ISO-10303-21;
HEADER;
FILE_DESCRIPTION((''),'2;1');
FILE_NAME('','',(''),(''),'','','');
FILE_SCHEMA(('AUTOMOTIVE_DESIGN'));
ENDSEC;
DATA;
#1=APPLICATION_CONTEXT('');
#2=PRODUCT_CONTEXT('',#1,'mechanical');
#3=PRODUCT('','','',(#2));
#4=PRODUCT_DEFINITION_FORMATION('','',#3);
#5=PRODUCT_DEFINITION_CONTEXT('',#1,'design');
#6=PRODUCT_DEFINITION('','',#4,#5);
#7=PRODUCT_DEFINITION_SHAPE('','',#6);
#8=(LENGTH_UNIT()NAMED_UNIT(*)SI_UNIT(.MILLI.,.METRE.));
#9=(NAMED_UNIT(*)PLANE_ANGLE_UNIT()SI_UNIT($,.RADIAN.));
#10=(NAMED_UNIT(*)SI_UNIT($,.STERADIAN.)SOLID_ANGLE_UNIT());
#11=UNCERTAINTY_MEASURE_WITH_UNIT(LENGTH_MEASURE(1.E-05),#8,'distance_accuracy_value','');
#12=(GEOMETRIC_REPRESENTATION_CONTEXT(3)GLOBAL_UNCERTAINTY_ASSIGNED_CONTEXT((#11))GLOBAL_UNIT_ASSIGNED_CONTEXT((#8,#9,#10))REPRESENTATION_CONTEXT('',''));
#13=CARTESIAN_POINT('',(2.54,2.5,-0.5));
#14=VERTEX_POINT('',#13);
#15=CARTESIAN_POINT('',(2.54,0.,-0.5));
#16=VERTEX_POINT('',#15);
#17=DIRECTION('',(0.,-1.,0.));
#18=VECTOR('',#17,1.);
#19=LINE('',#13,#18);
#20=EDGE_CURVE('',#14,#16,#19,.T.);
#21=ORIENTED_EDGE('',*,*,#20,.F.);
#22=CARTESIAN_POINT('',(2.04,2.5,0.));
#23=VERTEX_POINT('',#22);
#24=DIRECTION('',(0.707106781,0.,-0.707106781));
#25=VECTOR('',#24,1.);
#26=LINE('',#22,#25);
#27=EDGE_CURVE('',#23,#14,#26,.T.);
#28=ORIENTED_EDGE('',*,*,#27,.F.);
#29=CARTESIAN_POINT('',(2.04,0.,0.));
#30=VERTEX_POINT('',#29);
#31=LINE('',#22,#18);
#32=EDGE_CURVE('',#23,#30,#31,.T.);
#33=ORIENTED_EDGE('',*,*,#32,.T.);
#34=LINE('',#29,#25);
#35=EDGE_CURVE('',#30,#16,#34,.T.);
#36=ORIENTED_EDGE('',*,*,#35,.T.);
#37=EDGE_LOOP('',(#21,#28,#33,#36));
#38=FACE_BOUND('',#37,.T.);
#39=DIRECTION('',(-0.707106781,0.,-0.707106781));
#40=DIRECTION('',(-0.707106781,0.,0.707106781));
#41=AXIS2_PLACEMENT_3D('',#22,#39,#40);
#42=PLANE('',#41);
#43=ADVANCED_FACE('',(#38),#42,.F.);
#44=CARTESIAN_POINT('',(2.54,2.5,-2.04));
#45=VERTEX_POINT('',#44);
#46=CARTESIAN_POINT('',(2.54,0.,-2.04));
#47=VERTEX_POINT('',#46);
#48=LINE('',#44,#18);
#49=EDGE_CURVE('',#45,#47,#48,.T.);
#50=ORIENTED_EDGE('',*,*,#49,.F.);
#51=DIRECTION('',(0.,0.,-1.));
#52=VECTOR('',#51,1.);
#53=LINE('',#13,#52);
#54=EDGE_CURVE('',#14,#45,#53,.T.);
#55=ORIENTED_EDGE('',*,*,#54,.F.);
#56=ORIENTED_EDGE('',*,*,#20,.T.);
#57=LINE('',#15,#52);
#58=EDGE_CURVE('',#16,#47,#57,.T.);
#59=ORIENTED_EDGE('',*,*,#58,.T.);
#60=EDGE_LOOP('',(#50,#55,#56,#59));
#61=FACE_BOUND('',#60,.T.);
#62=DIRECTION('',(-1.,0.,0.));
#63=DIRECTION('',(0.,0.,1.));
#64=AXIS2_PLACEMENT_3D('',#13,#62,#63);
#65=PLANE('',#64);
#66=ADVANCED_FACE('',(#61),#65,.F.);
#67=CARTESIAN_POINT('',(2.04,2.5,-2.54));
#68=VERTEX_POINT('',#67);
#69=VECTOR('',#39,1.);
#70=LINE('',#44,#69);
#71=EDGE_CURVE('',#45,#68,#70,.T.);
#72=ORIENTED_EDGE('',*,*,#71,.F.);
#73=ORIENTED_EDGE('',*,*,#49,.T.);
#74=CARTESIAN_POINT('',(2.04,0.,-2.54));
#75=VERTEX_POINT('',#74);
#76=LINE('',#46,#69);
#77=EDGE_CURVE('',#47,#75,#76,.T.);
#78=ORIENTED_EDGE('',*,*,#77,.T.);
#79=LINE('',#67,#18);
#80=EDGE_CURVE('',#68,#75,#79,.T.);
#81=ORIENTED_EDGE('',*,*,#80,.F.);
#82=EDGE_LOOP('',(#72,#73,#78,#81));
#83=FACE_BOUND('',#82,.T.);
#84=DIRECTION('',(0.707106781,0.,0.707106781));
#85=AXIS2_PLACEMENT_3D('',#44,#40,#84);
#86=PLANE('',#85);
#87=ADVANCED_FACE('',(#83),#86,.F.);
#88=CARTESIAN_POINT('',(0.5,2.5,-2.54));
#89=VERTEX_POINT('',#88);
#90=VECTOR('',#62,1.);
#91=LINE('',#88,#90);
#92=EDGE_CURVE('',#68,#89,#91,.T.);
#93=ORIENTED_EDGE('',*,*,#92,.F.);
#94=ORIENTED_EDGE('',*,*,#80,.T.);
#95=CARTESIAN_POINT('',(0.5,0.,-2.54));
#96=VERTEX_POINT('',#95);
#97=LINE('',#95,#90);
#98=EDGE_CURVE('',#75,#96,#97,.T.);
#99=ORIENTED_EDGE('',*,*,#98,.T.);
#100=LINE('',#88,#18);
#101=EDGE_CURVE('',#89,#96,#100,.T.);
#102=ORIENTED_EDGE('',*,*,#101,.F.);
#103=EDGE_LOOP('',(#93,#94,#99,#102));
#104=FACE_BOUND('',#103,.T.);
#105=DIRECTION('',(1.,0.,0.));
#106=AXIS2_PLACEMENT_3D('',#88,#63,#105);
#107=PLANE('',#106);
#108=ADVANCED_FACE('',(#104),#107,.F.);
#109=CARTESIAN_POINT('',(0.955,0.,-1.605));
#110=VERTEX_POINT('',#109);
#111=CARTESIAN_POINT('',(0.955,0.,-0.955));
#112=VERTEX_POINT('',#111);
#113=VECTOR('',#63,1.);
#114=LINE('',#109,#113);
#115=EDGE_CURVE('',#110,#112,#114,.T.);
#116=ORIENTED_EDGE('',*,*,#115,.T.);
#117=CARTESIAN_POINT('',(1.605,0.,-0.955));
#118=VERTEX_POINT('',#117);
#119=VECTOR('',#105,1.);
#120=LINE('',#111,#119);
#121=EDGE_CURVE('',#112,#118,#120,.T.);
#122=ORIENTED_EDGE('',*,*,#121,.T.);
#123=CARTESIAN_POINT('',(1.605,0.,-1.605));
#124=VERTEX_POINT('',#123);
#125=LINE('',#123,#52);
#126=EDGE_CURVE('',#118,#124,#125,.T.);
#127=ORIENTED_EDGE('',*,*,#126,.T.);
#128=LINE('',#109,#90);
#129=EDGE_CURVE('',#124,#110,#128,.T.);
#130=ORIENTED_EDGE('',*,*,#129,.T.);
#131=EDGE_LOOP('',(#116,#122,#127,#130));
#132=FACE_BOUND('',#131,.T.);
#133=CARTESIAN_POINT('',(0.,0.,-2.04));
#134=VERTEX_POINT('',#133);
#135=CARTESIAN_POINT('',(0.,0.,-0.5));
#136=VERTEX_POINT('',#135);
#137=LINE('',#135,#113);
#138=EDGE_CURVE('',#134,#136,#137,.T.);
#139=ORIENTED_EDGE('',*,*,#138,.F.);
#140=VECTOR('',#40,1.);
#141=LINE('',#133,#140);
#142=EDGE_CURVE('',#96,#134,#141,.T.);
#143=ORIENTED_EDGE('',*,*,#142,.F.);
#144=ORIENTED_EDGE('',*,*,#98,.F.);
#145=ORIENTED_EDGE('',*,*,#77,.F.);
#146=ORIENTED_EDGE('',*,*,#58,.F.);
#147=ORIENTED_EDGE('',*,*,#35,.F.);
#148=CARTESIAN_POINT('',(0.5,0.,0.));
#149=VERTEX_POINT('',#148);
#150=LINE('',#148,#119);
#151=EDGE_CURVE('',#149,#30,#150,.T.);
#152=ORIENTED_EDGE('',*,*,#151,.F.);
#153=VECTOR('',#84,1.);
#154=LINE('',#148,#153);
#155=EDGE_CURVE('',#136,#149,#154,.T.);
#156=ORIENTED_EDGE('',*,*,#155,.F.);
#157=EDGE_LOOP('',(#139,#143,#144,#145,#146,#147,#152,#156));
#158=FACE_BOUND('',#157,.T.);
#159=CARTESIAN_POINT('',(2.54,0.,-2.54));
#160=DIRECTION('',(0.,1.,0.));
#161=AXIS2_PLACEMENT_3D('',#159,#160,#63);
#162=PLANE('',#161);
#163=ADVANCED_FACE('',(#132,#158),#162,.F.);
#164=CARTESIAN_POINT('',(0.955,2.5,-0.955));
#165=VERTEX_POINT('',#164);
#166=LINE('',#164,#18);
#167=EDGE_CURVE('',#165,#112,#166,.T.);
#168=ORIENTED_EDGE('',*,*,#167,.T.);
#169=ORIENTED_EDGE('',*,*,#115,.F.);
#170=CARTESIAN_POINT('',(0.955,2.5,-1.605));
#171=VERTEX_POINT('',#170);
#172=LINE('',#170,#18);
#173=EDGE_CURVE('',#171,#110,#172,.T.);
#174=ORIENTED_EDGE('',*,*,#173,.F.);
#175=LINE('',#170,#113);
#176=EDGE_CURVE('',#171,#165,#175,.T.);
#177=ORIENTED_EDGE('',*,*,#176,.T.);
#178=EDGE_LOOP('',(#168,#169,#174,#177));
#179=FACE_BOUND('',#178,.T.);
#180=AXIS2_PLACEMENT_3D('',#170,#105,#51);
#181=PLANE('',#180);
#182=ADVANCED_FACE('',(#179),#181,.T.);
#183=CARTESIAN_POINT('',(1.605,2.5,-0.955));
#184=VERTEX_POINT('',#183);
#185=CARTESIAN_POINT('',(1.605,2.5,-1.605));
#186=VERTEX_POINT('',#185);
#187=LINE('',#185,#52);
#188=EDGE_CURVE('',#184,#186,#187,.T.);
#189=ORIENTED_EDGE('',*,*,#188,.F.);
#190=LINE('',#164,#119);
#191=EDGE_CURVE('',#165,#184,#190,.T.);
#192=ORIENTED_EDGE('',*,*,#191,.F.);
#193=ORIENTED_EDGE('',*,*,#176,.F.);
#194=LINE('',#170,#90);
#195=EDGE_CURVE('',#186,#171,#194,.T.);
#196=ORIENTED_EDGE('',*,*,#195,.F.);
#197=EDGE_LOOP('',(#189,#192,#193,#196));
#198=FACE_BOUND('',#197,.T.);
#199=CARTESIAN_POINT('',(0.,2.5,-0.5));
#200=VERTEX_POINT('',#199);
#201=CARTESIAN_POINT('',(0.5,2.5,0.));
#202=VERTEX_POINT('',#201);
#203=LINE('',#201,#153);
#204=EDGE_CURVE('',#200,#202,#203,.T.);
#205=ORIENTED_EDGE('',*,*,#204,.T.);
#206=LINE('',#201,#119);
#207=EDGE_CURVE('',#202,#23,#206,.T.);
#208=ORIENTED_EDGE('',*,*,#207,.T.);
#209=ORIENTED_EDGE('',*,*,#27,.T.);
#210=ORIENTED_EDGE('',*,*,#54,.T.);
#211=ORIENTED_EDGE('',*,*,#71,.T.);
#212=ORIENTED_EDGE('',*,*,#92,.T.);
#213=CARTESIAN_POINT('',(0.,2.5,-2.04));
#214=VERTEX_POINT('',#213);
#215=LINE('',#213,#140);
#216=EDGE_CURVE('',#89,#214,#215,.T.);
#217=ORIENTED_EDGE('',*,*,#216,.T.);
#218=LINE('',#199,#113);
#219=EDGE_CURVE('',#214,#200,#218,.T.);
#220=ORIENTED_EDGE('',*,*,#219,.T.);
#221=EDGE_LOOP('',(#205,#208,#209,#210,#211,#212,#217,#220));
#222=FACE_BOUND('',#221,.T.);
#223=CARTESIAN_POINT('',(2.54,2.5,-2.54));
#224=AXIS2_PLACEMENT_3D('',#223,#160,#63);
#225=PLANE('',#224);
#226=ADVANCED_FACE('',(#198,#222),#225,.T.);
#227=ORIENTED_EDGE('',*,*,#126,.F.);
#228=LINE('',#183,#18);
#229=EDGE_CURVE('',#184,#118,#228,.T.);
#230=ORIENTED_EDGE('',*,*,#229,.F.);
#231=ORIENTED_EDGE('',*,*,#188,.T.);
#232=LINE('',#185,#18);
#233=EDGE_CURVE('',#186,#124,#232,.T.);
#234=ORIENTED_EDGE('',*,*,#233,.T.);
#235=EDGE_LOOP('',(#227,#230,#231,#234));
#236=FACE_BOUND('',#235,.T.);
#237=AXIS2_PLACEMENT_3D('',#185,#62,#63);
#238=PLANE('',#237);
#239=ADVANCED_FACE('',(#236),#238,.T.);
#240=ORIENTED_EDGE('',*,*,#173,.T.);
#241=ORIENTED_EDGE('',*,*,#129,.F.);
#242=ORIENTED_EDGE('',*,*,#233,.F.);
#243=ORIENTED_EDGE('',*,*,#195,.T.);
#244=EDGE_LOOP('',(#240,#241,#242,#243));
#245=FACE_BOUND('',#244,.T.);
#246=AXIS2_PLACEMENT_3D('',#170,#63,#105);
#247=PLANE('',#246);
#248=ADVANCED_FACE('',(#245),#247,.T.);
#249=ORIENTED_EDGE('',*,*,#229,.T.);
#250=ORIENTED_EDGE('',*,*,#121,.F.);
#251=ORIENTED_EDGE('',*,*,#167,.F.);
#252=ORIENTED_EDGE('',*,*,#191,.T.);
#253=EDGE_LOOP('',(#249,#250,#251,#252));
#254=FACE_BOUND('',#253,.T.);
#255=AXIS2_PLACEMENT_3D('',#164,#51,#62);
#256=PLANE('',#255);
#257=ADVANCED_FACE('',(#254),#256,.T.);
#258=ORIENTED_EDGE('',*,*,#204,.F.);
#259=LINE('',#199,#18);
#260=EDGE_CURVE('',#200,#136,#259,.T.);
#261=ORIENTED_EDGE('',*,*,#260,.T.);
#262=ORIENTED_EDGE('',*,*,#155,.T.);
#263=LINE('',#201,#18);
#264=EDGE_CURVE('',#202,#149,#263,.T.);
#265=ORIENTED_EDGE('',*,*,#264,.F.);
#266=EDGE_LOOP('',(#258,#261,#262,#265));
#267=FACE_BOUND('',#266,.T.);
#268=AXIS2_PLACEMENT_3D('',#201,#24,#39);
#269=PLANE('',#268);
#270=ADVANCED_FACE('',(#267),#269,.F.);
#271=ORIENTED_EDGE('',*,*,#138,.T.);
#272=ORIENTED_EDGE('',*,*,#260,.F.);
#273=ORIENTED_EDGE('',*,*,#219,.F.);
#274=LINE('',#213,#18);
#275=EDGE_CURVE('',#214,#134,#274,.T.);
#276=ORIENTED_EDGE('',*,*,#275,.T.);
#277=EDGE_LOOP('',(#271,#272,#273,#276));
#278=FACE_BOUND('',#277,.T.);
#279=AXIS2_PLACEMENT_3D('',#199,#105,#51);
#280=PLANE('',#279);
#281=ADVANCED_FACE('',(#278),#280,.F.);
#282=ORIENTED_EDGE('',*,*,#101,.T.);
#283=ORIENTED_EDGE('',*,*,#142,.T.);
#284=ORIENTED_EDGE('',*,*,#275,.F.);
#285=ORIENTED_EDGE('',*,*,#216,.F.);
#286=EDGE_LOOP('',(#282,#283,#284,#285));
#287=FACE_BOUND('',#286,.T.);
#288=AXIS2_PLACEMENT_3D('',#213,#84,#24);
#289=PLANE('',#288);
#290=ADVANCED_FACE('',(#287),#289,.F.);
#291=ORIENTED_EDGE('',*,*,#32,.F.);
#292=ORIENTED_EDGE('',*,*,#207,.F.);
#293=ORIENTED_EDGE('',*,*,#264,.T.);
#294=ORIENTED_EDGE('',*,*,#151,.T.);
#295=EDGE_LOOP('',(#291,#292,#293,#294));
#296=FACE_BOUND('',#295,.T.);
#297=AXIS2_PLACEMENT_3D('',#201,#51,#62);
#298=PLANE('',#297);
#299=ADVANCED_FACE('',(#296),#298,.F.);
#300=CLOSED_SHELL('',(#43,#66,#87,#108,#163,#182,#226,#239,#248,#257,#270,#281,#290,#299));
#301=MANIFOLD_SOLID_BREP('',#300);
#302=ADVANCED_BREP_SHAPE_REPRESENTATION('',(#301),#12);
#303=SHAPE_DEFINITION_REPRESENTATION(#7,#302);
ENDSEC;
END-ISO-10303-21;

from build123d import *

# Parameters (mm, degrees)
SKETCH1_W           = 0.65
SKETCH1_H           = 0.65
BOSS_EXTRUDE1_DEPTH = 2.5


with BuildPart() as part:
    # Sketch1 → Boss-Extrude1 (new body)
    with BuildSketch(Plane(origin=(0, 0, 0), x_dir=(1, 0, 0), z_dir=(0, 1, 0))):
        Polygon((0, 2.04), (0.5, 2.54), (2.04, 2.54), (2.54, 2.04), (2.54, 0.5), (2.04, 0), (0.5, 0), (0, 0.5), align=None)
        with Locations((1.28, 1.28)):
            Rectangle(SKETCH1_W, SKETCH1_H, mode=Mode.SUBTRACT)
    extrude(amount=BOSS_EXTRUDE1_DEPTH)


solid = part.part
